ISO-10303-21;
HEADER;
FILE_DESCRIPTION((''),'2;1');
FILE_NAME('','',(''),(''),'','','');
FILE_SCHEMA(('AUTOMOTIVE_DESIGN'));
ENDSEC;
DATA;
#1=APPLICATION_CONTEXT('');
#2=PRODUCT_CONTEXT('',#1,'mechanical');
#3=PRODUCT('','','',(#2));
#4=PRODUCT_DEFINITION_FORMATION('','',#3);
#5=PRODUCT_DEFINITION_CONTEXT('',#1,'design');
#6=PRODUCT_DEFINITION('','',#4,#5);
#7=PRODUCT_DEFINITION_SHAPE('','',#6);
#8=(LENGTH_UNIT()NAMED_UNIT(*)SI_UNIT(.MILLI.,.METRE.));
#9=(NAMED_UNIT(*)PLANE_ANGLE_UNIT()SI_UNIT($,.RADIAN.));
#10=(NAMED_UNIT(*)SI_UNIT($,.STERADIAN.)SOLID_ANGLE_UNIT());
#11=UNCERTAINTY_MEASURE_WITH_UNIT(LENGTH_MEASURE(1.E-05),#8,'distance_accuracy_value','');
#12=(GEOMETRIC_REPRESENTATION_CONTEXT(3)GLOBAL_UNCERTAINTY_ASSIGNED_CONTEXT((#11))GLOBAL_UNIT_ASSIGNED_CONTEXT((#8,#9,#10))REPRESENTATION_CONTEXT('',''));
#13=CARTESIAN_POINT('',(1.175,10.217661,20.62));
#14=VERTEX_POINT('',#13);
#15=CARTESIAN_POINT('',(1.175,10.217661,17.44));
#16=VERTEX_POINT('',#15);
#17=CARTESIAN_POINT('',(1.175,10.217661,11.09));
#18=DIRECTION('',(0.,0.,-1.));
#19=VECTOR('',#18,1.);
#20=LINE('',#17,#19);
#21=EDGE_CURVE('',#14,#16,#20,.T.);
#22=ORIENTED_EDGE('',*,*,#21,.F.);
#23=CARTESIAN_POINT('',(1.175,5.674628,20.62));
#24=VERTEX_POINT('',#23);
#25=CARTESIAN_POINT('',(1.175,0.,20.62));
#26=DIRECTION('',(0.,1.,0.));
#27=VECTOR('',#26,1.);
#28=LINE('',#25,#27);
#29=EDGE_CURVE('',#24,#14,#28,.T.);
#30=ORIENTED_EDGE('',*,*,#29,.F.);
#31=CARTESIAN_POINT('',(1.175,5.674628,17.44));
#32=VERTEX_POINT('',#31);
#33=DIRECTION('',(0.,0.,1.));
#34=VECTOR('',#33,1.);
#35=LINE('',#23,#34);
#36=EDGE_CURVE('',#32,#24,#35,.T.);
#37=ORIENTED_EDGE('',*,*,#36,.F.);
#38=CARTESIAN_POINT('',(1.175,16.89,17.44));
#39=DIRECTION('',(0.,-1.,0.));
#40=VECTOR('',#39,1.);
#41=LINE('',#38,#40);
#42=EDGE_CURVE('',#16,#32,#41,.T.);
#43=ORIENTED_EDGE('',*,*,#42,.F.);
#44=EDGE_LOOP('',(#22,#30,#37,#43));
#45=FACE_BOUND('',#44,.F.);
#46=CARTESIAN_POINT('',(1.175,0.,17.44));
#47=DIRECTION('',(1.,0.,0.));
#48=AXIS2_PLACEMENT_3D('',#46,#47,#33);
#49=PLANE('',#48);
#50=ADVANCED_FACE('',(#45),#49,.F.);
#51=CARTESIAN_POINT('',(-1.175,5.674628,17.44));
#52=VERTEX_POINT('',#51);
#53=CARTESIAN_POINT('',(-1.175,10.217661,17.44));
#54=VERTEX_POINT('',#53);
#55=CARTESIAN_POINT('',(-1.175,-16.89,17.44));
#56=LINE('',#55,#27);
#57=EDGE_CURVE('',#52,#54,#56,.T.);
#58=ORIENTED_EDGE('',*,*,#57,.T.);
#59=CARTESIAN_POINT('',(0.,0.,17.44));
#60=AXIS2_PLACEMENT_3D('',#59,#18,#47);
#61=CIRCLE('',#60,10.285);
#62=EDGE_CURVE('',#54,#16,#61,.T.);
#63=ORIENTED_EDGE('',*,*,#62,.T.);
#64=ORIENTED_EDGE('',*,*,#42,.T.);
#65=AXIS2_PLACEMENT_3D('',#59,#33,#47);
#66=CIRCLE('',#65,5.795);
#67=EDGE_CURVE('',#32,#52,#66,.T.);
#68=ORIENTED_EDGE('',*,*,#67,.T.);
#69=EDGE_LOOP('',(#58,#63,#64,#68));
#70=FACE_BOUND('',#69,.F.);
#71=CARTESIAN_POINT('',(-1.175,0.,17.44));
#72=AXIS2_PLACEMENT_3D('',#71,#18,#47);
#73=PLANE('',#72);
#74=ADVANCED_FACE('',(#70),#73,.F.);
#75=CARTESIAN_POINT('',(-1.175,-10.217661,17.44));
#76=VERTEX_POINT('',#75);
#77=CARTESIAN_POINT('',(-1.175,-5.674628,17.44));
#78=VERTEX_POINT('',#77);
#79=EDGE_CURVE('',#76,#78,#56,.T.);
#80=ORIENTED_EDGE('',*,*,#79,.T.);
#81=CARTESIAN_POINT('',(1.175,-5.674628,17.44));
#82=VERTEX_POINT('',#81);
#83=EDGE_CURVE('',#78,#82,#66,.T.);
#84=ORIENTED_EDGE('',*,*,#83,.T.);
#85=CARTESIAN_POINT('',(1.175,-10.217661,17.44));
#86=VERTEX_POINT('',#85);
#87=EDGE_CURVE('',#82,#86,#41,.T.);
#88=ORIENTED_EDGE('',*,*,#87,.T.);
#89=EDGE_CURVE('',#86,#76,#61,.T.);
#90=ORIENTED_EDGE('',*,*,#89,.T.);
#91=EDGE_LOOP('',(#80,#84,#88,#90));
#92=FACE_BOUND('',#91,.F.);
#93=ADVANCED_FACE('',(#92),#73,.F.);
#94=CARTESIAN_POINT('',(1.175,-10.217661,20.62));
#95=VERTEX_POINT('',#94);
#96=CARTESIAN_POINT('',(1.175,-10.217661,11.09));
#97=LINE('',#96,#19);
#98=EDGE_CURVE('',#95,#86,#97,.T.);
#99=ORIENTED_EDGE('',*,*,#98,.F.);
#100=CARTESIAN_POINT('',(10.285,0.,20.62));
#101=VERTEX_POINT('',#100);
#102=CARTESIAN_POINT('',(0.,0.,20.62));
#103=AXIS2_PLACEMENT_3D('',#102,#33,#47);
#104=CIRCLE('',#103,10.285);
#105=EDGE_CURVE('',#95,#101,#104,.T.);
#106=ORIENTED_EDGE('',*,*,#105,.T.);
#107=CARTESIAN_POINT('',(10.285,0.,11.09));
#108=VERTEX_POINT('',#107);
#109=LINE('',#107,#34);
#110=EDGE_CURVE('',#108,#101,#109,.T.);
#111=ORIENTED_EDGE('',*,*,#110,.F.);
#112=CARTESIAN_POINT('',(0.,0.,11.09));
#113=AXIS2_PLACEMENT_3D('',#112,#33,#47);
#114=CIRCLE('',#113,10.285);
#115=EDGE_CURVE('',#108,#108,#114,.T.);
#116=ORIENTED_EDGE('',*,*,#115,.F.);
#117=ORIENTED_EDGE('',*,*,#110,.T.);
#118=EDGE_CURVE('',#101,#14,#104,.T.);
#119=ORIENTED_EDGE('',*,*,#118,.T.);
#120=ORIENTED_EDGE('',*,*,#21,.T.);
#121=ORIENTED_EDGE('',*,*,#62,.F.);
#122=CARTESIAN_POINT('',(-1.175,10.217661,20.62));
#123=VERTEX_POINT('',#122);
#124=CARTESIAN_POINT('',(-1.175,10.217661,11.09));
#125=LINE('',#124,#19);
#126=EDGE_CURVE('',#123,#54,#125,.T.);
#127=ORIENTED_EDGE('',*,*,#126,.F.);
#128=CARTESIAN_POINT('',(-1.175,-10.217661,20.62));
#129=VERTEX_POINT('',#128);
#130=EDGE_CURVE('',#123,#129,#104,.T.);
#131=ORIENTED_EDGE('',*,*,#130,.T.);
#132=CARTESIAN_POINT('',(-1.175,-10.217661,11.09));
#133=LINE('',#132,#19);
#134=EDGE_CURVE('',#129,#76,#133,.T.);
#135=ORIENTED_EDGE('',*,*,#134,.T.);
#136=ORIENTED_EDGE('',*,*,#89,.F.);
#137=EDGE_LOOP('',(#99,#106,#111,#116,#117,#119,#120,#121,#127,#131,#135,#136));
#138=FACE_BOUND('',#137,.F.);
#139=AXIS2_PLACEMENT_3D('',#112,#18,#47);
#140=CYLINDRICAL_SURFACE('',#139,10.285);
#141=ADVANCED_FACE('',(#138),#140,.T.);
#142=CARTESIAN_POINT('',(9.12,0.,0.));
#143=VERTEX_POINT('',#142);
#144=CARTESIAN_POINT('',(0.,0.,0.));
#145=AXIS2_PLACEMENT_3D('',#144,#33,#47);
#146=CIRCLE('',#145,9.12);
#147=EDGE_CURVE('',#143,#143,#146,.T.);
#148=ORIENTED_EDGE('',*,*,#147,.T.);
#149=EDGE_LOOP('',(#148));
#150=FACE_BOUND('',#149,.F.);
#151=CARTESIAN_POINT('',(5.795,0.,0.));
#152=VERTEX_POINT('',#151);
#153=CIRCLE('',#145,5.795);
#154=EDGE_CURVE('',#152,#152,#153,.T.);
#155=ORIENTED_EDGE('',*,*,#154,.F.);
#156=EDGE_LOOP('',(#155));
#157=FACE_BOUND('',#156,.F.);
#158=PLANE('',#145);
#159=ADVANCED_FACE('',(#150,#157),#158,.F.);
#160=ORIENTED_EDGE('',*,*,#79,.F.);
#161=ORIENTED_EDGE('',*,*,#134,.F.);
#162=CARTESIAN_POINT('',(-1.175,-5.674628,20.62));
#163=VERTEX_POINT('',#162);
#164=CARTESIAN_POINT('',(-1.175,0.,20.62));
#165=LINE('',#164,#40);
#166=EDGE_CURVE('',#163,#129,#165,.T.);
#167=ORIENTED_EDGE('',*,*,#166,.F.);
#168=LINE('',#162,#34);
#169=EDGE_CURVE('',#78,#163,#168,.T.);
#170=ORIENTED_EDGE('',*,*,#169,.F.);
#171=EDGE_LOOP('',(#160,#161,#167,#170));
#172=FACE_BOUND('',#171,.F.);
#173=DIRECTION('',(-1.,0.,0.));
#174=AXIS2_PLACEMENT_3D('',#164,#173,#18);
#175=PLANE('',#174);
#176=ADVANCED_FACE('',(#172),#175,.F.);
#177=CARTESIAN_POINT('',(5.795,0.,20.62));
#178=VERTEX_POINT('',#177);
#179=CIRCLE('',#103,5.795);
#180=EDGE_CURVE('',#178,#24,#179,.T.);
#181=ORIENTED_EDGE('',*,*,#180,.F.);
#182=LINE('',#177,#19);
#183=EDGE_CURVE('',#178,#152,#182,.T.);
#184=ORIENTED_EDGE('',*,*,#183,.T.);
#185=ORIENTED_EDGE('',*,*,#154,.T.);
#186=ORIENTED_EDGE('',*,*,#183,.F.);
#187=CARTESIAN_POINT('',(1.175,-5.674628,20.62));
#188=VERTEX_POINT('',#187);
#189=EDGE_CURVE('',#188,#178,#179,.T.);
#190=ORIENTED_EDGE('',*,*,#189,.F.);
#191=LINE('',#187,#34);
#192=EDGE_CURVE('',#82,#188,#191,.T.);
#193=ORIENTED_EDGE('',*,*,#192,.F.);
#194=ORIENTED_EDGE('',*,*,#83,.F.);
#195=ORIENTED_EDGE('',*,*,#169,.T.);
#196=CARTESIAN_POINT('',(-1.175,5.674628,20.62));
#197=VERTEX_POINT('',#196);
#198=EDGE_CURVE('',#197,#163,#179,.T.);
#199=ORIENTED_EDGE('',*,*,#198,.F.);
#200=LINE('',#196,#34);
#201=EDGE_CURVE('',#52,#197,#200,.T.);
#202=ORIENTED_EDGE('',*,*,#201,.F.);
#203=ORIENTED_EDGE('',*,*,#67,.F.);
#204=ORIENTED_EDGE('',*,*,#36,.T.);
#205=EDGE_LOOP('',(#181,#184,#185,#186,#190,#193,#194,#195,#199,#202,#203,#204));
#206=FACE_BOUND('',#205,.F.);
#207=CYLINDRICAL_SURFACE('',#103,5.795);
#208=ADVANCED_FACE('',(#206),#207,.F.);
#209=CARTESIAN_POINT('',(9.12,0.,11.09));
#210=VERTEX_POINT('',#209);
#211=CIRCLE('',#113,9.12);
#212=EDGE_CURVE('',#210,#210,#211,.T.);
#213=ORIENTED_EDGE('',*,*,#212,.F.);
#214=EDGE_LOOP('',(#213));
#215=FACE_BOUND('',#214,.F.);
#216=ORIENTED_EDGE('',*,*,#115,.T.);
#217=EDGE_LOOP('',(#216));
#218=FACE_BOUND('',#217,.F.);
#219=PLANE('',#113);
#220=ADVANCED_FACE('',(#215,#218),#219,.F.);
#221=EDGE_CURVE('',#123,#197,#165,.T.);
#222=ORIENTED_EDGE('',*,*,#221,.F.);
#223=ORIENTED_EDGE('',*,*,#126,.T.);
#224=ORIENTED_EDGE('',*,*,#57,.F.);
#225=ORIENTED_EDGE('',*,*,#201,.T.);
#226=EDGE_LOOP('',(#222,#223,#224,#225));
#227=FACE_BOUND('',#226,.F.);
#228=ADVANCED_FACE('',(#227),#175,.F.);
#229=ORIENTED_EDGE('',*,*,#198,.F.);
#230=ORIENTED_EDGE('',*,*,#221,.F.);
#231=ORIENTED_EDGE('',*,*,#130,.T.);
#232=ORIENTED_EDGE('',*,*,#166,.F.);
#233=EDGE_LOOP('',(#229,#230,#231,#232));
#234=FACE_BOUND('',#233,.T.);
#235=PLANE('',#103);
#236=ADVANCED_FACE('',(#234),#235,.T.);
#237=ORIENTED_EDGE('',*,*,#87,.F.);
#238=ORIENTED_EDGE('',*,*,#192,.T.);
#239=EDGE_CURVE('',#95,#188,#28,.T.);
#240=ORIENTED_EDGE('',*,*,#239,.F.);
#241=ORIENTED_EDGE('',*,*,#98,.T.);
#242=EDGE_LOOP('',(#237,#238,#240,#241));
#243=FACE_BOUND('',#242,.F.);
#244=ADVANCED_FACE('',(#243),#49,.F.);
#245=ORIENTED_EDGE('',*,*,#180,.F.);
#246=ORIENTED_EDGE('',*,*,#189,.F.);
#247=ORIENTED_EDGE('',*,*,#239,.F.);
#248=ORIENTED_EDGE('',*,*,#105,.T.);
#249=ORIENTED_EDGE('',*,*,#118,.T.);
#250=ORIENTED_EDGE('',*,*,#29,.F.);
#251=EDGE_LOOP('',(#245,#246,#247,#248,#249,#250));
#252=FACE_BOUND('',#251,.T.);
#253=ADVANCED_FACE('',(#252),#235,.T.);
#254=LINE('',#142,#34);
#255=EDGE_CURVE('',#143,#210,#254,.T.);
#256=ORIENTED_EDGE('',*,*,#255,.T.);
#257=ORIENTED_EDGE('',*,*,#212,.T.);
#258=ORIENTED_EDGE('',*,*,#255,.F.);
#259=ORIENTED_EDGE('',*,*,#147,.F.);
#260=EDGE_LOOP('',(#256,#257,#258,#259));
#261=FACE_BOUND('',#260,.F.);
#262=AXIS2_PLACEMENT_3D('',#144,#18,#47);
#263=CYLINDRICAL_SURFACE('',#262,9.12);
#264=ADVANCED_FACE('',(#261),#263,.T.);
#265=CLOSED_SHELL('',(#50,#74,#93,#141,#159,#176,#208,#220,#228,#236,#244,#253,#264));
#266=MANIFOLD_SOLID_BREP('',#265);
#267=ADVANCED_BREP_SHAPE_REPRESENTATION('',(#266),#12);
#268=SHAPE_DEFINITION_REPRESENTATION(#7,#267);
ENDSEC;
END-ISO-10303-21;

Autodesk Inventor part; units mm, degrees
ref_plane "YZ Plane" through (0, 0, 0) normal (1, 0, 0) x (0, 1, 0)
ref_plane "XZ Plane" through (0, 0, 0) normal (0, 1, 0) x (-1, 0, 0)
ref_plane "XY Plane" through (0, 0, 0) normal (0, 0, 1) x (1, 0, 0)
sketch "Sketch1" plane through (0, 0, 0) normal (0, 0, 1) x (1, 0, 0)
  circle A0 centre (0, 0) radius 9.12
  dimension "d0" = 18.24
extrude "Extrusion1" add sketch "Sketch1" along normal blind 11.09
sketch "Sketch2" plane through (0, 0, 11.09) normal (0, 0, 1) x (1, 0, 0)
  circle A0 centre (0, 0) radius 10.285
  dimension "d3" = 20.57
extrude "Extrusion2" add sketch "Sketch2" along normal blind 9.53
sketch "Sketch3" plane through (0, 0, 20.62) normal (0, 0, 1) x (1, 0, 0)
  circle A0 centre (0, 0) radius 5.795
  dimension "d6" = 11.59
extrude "Extrusion3" cut sketch "Sketch3" against normal blind 33.78
sketch "Sketch4" plane through (0, 0, 0) normal (0, 1, 0) x (-1, 0, 0)
  line L0 (1.175, 17.44) -> (-1.175, 17.44)
  line L1 (-1.175, 17.44) -> (-1.175, 23.8)
  line L2 (-1.175, 23.8) -> (1.175, 23.8)
  line L3 (1.175, 23.8) -> (1.175, 17.44)
  line L4 (10.285, 20.62) -> (-10.285, 20.62) projected
  line L5 (1.175, 17.44) -> (-1.175, 23.8) construction
  line L6 (-1.175, 17.44) -> (1.175, 23.8) construction
  point P0 (0, 0)
  point P1 (0, 20.62)
  dimension "d9" = 2.35
  dimension "d10" = 6.36
extrude "Extrusion4" cut sketch "Sketch4" along normal mid plane 33.78
properties part number "parça5"
